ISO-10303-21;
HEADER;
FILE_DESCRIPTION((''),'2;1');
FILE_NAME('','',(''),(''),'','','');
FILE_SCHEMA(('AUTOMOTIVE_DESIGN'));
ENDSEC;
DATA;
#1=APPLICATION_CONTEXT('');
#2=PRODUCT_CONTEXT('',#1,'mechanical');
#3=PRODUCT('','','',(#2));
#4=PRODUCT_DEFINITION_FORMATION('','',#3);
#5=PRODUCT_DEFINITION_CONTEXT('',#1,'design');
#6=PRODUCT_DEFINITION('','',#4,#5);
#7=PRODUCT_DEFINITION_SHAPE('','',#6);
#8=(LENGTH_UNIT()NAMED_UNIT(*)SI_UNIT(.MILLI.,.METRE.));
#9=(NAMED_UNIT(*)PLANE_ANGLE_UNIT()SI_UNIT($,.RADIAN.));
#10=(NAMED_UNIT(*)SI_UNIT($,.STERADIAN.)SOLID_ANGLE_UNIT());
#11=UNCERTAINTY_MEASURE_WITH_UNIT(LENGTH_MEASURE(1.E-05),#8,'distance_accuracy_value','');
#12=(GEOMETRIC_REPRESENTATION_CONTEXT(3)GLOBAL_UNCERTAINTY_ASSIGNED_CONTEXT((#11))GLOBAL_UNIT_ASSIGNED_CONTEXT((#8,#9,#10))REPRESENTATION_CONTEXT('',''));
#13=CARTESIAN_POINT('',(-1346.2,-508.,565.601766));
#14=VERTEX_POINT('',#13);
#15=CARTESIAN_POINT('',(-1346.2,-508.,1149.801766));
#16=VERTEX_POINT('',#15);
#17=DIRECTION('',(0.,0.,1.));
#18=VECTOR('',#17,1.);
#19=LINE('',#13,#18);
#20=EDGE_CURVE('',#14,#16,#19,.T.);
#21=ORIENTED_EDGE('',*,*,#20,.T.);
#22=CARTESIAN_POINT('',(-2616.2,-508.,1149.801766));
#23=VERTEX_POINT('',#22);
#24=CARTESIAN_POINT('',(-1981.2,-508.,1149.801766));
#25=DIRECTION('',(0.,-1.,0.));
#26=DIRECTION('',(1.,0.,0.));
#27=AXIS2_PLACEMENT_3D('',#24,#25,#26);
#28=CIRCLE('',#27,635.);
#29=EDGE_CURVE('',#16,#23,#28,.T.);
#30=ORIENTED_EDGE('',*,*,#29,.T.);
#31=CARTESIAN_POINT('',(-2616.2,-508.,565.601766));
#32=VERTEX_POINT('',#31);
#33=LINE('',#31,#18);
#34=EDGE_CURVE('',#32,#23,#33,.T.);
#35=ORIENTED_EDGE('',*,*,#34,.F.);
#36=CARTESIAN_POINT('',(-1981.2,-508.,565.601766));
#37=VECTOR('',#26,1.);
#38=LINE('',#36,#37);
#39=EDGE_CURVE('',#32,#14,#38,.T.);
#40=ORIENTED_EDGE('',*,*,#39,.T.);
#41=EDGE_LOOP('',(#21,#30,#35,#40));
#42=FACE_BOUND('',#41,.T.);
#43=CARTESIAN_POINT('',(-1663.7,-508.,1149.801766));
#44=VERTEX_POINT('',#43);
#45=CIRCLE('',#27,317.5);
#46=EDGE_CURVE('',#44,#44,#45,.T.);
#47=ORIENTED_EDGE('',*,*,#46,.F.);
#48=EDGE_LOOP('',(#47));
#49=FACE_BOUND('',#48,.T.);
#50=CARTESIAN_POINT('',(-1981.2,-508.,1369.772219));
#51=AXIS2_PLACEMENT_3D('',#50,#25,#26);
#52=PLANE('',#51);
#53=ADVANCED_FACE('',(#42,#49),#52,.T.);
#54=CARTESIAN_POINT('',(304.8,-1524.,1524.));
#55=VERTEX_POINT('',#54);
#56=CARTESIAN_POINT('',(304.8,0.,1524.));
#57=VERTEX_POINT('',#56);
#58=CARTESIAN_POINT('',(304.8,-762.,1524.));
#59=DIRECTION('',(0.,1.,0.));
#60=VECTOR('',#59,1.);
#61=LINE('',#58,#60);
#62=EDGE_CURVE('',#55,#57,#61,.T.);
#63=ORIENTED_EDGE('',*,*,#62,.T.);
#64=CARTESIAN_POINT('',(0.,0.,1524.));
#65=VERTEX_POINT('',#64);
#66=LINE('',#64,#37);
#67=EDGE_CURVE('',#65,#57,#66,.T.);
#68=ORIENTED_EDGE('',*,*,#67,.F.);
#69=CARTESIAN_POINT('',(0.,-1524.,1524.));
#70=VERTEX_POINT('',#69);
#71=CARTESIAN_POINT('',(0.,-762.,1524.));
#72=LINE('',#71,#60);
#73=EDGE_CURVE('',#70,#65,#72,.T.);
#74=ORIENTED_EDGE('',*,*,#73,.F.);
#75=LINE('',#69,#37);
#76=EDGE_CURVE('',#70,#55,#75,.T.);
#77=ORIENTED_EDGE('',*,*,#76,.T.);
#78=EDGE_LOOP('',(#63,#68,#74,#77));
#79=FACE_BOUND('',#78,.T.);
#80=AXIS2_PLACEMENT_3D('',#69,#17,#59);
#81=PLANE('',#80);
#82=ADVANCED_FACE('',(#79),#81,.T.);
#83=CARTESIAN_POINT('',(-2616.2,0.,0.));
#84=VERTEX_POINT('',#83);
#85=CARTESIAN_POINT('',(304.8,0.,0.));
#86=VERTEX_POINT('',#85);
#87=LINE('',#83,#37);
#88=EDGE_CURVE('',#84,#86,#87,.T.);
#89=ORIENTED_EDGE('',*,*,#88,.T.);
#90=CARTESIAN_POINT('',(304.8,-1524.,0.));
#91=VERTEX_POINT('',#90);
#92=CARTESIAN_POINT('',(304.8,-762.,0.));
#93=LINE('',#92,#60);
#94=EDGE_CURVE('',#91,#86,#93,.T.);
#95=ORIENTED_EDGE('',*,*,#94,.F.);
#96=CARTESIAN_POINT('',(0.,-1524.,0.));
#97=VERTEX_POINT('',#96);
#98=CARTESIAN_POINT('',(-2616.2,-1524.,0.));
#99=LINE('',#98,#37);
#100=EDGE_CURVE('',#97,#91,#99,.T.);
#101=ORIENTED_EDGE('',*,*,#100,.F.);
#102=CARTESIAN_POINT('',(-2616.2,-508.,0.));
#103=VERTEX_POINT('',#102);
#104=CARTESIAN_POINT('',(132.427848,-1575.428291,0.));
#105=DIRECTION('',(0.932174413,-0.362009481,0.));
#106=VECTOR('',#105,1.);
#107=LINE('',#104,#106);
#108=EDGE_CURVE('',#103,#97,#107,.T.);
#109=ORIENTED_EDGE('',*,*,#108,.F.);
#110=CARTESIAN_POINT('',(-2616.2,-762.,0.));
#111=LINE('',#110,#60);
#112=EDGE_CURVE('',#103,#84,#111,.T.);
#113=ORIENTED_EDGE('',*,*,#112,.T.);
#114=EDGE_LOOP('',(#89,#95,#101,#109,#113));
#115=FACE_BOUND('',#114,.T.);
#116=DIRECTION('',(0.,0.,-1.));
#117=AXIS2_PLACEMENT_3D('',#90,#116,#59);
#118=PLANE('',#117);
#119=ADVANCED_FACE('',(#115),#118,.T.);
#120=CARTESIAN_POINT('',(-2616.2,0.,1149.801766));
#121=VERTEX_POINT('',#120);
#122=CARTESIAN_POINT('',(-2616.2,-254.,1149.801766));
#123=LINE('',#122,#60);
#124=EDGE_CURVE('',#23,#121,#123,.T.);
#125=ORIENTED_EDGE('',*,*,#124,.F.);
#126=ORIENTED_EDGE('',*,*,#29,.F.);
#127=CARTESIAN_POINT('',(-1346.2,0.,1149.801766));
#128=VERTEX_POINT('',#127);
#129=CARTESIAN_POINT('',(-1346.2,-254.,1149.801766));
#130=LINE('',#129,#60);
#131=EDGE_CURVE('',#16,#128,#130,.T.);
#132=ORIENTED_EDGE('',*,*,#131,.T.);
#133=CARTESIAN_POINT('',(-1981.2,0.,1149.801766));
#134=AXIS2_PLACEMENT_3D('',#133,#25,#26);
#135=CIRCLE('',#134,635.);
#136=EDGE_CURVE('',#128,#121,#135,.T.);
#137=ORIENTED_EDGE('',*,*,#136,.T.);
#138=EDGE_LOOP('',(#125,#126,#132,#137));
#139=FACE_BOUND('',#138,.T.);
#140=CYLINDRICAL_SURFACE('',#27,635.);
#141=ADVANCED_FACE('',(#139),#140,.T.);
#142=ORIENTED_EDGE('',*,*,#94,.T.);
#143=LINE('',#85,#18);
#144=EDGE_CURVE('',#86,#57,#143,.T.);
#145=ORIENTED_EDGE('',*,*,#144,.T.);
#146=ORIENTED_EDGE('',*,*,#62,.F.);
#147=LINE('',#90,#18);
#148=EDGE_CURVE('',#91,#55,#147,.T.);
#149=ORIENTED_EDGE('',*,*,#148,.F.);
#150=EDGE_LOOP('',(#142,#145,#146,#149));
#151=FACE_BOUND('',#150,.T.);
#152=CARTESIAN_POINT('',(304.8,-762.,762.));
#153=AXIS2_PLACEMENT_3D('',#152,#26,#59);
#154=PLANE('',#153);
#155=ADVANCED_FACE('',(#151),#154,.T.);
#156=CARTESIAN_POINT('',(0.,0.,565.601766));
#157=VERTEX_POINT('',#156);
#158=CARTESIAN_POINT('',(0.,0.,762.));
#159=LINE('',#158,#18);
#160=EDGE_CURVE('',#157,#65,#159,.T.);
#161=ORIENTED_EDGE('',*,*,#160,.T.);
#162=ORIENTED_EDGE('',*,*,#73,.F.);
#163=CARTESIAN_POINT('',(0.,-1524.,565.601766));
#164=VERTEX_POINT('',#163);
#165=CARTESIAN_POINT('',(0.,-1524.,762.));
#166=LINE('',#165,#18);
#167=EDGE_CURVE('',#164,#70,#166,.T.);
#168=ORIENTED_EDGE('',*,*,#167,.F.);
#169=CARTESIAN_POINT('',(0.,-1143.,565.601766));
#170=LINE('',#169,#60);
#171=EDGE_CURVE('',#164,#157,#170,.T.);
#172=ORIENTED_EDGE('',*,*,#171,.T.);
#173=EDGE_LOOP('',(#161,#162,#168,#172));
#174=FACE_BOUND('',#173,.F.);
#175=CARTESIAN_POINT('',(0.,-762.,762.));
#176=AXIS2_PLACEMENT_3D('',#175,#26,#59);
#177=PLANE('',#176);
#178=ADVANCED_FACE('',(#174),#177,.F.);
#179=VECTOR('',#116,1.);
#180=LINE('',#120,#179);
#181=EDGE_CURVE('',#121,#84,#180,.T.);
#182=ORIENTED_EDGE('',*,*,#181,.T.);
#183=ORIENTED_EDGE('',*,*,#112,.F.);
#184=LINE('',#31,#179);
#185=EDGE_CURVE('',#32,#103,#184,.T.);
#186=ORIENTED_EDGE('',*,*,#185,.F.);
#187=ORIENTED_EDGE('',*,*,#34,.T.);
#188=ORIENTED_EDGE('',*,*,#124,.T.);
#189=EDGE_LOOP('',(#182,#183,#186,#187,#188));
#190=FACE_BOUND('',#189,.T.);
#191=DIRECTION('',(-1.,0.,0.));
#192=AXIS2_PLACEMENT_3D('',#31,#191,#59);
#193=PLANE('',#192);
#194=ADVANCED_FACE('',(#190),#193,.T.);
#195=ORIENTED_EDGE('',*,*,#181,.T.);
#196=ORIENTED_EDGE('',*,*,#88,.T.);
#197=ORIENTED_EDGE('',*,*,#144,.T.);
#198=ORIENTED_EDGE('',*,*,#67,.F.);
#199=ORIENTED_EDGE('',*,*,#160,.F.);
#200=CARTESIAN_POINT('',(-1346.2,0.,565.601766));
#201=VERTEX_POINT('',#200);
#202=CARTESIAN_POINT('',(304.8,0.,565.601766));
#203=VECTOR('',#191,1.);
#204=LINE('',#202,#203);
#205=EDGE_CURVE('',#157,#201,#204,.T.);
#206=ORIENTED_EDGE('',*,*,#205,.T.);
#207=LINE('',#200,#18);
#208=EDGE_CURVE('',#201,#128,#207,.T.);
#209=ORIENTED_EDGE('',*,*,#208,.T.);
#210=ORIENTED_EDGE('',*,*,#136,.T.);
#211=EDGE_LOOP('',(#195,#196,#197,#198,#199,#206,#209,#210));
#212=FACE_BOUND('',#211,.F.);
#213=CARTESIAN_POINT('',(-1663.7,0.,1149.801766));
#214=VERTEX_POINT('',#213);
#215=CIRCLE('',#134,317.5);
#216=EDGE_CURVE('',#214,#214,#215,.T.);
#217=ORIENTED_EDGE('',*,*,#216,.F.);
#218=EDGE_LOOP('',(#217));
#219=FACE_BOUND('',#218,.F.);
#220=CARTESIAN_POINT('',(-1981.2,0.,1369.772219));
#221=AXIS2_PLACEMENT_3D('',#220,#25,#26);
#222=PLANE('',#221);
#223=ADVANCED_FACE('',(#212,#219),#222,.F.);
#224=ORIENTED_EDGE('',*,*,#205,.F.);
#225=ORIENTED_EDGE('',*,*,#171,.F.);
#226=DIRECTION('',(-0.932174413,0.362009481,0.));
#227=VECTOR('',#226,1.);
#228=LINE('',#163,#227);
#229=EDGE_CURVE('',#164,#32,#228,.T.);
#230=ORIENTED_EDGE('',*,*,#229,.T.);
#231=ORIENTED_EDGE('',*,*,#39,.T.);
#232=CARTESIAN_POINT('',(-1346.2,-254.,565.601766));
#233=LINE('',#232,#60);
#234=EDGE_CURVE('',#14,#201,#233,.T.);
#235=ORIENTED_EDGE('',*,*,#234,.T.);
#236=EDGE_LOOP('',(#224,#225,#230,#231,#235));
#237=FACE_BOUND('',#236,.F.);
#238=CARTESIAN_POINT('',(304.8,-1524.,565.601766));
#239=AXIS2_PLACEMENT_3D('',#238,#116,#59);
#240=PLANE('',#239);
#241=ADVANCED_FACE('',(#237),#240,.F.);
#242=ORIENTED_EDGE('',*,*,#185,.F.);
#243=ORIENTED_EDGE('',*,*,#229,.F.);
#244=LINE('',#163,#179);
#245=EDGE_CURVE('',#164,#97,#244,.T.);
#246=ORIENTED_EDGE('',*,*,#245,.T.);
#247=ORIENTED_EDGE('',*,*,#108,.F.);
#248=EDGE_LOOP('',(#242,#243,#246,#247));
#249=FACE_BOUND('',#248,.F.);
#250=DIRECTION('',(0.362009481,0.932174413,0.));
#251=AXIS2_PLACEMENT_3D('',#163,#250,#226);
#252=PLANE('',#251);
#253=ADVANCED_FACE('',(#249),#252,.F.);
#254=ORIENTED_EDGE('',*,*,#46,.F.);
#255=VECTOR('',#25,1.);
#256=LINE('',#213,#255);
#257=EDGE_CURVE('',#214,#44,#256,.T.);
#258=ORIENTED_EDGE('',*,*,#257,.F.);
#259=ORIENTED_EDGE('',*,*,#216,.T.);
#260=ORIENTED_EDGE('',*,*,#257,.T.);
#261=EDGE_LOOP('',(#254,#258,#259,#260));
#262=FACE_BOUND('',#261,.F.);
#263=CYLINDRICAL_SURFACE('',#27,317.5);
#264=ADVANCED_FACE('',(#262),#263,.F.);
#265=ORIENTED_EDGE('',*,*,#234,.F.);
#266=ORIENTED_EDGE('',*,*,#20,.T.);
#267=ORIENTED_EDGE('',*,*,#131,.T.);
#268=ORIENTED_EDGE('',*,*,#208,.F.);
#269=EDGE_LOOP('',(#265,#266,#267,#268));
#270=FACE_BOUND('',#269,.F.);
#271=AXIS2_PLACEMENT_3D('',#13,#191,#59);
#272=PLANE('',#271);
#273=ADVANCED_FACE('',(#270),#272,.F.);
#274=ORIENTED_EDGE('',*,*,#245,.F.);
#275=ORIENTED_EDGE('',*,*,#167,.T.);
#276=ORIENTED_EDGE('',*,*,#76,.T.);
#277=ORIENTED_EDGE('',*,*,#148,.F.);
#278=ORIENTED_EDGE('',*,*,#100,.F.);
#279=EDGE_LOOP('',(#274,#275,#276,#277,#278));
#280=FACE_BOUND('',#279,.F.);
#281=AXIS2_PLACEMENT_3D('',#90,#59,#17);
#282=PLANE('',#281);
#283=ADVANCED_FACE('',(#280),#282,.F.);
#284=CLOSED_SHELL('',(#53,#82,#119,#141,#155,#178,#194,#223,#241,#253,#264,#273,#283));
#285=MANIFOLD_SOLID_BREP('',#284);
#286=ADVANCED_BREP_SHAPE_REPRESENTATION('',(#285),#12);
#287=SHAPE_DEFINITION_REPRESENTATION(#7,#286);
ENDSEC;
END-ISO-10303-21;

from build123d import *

# Parameters (mm, degrees)
F0_W      = 1524
F0_H      = 1524
F1_DEPTH  = 304.8
F2_W      = 1524
F2_H      = 565.6017661095
F3_DEPTH  = 2921
F4_W      = 1270
F4_H      = 508
F5_DEPTH  = 584.2
F7_DEPTH  = 508
F8_R      = 317.5
F9_DEPTH  = 25.4
F10_DEPTH = 25.4
F11_R     = 317.5
F12_DEPTH = 1930.4
F14_DEPTH = 2006.6


with BuildPart() as f1:
    # F0 (on Right) → F1 (new body)
    with BuildSketch(Plane.YZ):
        with Locations((-762, 762)):
            Rectangle(F0_W, F0_H)
    extrude(amount=F1_DEPTH)

    # F2 (on face) → F3 (join)
    with BuildSketch(Plane.YZ.offset(304.8)):
        with Locations((-762, 282.8008830547)):
            Rectangle(F2_W, F2_H)
    extrude(amount=-F3_DEPTH)

    # F4 (on face) → F5 (join)
    with BuildSketch(Plane.XY.offset(565.6017661095)):
        with Locations((-1981.2, -254)):
            Rectangle(F4_W, F4_H)
    extrude(amount=F5_DEPTH)

    # F6 (on face) → F7 (join)
    with BuildSketch(Plane.XZ.offset(508)):
        with BuildLine():
            Line((-2616.2, 1149.8017661095), (-1346.2, 1149.8017661095))
            ThreePointArc((-1346.2, 1149.8017661095), (-1981.2, 1784.8017661095), (-2616.2, 1149.8017661095))
        make_face()
    extrude(amount=-F7_DEPTH)

    # F8 (on face) → F9 (cut)
    with BuildSketch(Plane.XZ.offset(508)):
        with Locations((-1981.2, 1149.8017661095)):
            Circle(F8_R)
    extrude(amount=-F9_DEPTH, mode=Mode.SUBTRACT)

    # F10 (add): a face of the model
    f10_faces = [f1.faces().sort_by_distance(p)[0] for p in [
        (-1981.2, -482.6, 1149.8017661095),
    ]]
    extrude(f10_faces, amount=-F10_DEPTH)

    # F11 (on face) → F12 (cut)
    with BuildSketch(Plane.XZ.offset(482.6)):
        with Locations((-1981.2, 1149.8017661095)):
            Circle(F11_R)
    extrude(amount=-F12_DEPTH, mode=Mode.SUBTRACT)

    # F13 (on face) → F14 (cut)
    with BuildSketch(Plane.XY.offset(565.6017661095)):
        Polygon((0, -1524), (-2616.2, -508), (-2616.2, -1524), align=None)
    extrude(amount=-F14_DEPTH, mode=Mode.SUBTRACT)


solid = f1.part
